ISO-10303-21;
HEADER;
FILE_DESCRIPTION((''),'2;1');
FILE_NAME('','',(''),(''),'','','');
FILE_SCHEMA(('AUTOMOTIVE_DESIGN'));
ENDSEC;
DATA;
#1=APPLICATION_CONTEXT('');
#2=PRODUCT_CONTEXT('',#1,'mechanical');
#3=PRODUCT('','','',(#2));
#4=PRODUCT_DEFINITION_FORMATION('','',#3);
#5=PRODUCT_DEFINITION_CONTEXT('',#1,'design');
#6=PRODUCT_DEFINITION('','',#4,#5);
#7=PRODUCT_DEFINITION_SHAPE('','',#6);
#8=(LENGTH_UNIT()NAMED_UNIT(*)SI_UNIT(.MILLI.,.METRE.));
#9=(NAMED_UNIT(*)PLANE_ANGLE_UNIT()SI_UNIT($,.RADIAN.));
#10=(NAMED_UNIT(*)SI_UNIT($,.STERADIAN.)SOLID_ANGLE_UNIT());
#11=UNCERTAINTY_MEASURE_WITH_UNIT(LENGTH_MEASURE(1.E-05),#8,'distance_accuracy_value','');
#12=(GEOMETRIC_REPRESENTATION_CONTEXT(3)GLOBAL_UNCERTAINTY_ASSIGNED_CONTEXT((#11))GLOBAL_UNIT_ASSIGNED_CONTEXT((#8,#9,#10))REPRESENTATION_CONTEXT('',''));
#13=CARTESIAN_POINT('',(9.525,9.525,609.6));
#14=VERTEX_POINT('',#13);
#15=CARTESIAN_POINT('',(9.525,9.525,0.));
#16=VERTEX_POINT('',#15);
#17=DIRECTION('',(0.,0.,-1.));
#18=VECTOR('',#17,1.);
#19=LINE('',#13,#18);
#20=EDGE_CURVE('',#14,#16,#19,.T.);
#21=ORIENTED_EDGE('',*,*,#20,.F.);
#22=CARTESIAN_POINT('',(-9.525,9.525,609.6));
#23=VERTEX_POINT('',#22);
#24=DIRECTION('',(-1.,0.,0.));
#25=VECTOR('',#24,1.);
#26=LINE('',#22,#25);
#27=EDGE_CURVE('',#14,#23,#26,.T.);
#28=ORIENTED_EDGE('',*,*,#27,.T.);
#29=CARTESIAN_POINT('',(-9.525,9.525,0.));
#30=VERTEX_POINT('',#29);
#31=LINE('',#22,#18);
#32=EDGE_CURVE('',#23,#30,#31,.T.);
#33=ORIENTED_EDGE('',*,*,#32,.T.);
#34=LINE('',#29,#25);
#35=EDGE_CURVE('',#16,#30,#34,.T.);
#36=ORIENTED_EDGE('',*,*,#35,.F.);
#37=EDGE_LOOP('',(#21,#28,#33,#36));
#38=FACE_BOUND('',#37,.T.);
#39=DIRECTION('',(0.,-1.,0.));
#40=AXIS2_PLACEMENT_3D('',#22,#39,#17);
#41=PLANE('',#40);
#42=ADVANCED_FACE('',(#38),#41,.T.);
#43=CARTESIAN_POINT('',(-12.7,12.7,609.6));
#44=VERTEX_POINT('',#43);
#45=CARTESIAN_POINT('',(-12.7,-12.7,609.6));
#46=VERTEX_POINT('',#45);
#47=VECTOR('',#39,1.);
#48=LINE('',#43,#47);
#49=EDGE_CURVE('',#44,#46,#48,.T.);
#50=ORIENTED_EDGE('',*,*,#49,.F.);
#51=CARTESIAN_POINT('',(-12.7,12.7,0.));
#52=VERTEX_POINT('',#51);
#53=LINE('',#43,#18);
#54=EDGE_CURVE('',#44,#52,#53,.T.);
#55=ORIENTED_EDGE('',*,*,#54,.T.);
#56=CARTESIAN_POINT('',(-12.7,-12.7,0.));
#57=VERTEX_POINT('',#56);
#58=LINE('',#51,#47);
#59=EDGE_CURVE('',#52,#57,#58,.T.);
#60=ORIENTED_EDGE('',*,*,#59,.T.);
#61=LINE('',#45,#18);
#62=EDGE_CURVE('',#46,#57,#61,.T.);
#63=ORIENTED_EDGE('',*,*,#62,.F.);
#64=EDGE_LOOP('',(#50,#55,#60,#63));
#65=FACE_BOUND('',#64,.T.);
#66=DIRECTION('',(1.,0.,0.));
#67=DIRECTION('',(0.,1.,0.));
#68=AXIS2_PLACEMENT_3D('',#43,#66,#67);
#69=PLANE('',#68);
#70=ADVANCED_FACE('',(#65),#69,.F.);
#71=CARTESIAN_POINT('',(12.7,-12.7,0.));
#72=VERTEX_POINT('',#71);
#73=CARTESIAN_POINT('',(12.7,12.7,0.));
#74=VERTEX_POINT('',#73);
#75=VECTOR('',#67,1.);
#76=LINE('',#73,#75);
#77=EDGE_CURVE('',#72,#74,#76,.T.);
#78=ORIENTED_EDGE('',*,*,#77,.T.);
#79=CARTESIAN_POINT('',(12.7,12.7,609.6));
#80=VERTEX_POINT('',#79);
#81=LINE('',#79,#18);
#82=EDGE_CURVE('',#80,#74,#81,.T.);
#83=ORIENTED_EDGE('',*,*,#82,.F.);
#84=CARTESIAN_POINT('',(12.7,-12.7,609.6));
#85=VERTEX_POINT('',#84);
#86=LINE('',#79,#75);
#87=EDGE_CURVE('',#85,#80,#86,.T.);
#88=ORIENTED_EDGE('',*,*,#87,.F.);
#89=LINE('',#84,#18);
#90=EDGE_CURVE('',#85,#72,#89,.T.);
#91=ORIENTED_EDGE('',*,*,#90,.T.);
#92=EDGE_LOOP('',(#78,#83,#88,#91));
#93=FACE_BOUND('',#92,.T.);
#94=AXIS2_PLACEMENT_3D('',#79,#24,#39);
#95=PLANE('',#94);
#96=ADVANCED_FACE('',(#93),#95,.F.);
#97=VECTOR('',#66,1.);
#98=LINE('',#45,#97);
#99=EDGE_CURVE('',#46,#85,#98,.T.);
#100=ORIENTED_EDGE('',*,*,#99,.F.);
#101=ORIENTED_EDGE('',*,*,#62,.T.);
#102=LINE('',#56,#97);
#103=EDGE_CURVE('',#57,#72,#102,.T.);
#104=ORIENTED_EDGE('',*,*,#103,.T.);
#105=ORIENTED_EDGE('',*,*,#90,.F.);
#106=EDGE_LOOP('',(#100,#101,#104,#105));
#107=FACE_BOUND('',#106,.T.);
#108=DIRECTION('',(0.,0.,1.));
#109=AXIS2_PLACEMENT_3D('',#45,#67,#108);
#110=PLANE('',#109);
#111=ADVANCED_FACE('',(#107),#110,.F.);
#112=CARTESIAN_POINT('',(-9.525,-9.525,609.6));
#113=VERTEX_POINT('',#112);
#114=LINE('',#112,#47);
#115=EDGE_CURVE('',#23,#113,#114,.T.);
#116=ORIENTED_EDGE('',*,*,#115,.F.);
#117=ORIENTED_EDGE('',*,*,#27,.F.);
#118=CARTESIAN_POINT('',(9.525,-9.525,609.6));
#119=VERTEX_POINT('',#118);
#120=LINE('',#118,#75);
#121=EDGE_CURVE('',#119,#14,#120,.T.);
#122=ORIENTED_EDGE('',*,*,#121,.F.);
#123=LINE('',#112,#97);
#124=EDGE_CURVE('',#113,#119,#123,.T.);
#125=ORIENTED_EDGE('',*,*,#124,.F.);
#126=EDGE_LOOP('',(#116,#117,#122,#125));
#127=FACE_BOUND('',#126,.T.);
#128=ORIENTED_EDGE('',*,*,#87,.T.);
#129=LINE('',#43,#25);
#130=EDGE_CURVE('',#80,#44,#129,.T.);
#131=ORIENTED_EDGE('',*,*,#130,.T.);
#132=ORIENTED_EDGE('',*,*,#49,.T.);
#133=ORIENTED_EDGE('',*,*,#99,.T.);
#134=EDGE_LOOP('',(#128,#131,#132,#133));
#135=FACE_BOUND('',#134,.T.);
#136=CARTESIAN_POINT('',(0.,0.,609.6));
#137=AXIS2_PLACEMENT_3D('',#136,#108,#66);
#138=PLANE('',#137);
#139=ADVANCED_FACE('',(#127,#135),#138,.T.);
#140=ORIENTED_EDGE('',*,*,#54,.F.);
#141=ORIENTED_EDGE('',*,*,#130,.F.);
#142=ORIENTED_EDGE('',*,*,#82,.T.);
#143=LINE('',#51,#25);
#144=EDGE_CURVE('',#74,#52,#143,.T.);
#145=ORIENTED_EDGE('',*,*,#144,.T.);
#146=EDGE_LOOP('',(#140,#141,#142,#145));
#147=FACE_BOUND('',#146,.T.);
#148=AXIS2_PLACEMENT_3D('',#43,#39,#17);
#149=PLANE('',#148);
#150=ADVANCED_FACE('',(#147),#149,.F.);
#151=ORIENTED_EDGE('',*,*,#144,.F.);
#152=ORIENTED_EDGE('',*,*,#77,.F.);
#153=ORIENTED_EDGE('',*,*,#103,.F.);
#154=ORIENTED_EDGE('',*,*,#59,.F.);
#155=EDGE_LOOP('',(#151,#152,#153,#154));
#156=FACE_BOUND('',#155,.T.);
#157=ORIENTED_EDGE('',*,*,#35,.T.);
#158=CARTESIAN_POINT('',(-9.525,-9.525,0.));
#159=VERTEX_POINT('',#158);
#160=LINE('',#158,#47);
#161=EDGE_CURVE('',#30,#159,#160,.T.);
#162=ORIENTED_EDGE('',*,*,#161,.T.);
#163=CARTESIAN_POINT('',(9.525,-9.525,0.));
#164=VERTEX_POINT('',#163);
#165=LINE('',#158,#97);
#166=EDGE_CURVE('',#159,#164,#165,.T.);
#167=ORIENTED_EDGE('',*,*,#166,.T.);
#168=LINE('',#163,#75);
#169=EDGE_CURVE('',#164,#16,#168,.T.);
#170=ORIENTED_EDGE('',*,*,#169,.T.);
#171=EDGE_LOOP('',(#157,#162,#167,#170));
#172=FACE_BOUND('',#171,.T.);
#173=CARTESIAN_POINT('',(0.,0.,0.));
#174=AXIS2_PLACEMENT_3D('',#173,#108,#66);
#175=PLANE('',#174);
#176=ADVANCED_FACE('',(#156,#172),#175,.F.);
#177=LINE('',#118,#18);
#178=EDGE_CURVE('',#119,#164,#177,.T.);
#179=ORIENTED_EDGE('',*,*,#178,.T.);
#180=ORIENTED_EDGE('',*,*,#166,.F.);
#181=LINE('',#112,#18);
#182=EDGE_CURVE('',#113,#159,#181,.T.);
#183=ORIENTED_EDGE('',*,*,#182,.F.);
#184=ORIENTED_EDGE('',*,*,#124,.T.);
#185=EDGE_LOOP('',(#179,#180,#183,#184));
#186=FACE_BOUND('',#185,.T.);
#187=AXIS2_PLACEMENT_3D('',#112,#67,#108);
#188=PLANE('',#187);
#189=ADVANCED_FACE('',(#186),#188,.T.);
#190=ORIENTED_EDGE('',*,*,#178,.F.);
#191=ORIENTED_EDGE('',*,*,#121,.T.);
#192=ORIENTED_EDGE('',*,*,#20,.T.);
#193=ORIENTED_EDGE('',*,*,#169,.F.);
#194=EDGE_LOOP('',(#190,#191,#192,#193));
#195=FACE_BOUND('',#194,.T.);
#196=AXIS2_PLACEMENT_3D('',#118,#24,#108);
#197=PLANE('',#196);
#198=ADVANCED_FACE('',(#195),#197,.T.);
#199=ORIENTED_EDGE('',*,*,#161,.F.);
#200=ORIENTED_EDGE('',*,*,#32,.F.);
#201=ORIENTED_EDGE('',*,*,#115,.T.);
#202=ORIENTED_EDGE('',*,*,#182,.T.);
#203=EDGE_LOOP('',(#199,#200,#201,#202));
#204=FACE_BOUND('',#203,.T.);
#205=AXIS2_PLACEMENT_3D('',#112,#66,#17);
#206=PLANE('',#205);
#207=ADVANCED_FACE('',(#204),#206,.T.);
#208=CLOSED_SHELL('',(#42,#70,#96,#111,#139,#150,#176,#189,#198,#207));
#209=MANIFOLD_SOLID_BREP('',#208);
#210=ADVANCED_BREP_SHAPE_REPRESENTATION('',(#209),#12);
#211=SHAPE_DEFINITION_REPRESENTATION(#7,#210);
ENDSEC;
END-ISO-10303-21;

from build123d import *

# Parameters (mm, degrees)
SKETCH1_W           = 25.4
SKETCH1_H           = 25.4
SKETCH1_W_2         = 19.05
SKETCH1_H_2         = 19.05
BOSS_EXTRUDE1_DEPTH = 609.6


with BuildPart() as part:
    # Sketch1 → Boss-Extrude1 (new body)
    with BuildSketch(Plane.XY):
        Rectangle(SKETCH1_W, SKETCH1_H)
        Rectangle(SKETCH1_W_2, SKETCH1_H_2, mode=Mode.SUBTRACT)
    extrude(amount=BOSS_EXTRUDE1_DEPTH)


solid = part.part
